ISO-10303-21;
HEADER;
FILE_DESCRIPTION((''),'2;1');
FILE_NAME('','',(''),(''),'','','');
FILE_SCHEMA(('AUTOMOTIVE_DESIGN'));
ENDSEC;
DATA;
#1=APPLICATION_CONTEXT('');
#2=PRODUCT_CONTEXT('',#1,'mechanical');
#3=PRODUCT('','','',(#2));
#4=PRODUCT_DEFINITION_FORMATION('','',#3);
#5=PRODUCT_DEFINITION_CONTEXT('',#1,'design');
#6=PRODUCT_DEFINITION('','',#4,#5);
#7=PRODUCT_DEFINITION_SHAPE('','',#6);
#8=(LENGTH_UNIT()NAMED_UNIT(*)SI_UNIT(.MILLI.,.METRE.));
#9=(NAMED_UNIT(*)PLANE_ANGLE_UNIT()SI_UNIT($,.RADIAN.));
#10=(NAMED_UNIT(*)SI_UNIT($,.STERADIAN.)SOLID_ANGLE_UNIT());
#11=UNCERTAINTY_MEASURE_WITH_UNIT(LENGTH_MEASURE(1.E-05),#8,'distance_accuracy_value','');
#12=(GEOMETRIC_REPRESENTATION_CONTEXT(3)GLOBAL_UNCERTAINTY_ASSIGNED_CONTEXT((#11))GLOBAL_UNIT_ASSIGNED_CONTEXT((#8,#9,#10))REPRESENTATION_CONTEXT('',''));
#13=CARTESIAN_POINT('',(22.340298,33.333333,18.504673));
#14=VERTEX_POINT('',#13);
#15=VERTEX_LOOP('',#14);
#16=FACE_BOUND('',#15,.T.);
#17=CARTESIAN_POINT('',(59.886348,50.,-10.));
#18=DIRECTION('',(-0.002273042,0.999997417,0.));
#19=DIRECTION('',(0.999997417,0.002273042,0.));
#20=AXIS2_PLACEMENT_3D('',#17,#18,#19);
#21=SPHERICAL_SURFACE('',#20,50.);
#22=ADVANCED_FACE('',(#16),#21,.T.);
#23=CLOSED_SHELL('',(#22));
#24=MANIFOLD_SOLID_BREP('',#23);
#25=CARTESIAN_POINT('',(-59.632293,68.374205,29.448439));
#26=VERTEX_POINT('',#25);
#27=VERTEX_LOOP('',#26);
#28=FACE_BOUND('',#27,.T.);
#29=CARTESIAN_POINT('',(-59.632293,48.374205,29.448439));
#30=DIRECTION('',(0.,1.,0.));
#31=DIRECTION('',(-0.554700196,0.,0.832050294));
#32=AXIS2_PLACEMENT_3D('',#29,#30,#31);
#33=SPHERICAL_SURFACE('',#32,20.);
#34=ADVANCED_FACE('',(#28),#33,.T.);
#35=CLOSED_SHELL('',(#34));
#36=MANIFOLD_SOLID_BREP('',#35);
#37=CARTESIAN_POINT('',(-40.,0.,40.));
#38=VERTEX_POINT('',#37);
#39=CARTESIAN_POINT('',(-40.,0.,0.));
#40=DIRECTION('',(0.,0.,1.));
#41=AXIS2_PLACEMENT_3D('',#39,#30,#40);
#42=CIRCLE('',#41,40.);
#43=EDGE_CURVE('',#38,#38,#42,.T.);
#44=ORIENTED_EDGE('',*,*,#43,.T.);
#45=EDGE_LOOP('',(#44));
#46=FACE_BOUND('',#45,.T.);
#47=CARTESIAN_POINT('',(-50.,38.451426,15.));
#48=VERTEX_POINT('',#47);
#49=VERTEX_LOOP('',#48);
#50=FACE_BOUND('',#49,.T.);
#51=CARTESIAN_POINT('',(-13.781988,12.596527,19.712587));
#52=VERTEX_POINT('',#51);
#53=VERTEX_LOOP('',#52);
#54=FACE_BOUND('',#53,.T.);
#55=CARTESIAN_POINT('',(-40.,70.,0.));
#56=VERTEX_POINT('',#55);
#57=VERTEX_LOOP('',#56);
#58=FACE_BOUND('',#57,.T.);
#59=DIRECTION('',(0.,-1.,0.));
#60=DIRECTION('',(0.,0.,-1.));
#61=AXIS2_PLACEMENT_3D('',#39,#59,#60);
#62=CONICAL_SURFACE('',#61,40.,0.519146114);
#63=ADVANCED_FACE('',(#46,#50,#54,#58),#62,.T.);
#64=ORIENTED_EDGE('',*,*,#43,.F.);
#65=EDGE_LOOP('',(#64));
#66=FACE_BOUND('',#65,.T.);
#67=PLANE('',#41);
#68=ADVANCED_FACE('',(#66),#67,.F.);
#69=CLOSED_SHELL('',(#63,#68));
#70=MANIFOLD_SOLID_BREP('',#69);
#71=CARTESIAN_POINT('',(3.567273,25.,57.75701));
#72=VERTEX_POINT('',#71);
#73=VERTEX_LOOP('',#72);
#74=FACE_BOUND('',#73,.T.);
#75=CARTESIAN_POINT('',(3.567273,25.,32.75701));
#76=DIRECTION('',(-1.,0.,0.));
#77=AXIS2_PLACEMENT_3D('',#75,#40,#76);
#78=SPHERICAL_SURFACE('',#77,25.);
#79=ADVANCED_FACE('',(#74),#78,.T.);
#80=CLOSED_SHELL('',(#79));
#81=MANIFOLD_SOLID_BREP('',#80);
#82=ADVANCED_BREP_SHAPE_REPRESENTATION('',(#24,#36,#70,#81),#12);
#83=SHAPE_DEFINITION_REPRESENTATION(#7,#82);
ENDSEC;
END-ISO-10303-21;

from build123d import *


with BuildPart() as part:
    # Sketch1 → Revolve1 (revolve)
    with BuildSketch(Plane.XY, mode=Mode.PRIVATE) as revolve1_sk:
        Polygon((0, 0), (-40, 70), (-40, 0), align=None)
    revolve(revolve1_sk.sketch.rotate(Axis((-40, 70, 0), (0, -1, 0)), 270), axis=Axis((-40, 70, 0), (0, -1, 0)))  # turned: the seam where the file's is


with BuildPart() as body_2:
    # Sketch3 → Revolve2 (revolve)
    with BuildSketch(Plane.XY.offset(-10)):
        with BuildLine():
            Line((59.772695496, 99.999870832), (60, 0))
            ThreePointArc((60, 0), (109.886218433, 50.113652105), (59.772695496, 99.999870832))
        make_face()
    revolve(axis=Axis((59.772695496, 99.999870832, -10), (0.002273042, -0.999997417, 0)))


with BuildPart() as body_3:
    # Sketch6 → Revolve3 (revolve)
    with BuildSketch(Plane(origin=(0, 25, 0), x_dir=(-1, 0, 0), z_dir=(0, 1, 0))):
        with BuildLine():
            Line((-3.567273263, 57.75700955), (-3.567273263, 7.75700955))
            ThreePointArc((-3.567273263, 7.75700955), (21.432726737, 32.75700955), (-3.567273263, 57.75700955))
        make_face()
    revolve(axis=Axis((3.567273263, 25, 57.75700955), (0, 0, -1)))


with BuildPart() as body_4:
    # Sketch8 → Revolve4 (revolve)
    with BuildSketch(Plane(origin=(-27.692307692, 0, -18.461538462), x_dir=(-0.554700196, 0, 0.832050294), z_dir=(-0.832050294, 0, -0.554700196))):
        with BuildLine():
            Line((57.580627069, 68.374205107), (57.580627069, 28.374205107))
            ThreePointArc((57.580627069, 28.374205107), (37.580627069, 48.374205107), (57.580627069, 68.374205107))
        make_face()
    revolve(axis=Axis((-59.632292826, 68.374205107, 29.448439239), (0, -1, 0)))


solid = Compound([part.part, body_2.part, body_3.part, body_4.part])
